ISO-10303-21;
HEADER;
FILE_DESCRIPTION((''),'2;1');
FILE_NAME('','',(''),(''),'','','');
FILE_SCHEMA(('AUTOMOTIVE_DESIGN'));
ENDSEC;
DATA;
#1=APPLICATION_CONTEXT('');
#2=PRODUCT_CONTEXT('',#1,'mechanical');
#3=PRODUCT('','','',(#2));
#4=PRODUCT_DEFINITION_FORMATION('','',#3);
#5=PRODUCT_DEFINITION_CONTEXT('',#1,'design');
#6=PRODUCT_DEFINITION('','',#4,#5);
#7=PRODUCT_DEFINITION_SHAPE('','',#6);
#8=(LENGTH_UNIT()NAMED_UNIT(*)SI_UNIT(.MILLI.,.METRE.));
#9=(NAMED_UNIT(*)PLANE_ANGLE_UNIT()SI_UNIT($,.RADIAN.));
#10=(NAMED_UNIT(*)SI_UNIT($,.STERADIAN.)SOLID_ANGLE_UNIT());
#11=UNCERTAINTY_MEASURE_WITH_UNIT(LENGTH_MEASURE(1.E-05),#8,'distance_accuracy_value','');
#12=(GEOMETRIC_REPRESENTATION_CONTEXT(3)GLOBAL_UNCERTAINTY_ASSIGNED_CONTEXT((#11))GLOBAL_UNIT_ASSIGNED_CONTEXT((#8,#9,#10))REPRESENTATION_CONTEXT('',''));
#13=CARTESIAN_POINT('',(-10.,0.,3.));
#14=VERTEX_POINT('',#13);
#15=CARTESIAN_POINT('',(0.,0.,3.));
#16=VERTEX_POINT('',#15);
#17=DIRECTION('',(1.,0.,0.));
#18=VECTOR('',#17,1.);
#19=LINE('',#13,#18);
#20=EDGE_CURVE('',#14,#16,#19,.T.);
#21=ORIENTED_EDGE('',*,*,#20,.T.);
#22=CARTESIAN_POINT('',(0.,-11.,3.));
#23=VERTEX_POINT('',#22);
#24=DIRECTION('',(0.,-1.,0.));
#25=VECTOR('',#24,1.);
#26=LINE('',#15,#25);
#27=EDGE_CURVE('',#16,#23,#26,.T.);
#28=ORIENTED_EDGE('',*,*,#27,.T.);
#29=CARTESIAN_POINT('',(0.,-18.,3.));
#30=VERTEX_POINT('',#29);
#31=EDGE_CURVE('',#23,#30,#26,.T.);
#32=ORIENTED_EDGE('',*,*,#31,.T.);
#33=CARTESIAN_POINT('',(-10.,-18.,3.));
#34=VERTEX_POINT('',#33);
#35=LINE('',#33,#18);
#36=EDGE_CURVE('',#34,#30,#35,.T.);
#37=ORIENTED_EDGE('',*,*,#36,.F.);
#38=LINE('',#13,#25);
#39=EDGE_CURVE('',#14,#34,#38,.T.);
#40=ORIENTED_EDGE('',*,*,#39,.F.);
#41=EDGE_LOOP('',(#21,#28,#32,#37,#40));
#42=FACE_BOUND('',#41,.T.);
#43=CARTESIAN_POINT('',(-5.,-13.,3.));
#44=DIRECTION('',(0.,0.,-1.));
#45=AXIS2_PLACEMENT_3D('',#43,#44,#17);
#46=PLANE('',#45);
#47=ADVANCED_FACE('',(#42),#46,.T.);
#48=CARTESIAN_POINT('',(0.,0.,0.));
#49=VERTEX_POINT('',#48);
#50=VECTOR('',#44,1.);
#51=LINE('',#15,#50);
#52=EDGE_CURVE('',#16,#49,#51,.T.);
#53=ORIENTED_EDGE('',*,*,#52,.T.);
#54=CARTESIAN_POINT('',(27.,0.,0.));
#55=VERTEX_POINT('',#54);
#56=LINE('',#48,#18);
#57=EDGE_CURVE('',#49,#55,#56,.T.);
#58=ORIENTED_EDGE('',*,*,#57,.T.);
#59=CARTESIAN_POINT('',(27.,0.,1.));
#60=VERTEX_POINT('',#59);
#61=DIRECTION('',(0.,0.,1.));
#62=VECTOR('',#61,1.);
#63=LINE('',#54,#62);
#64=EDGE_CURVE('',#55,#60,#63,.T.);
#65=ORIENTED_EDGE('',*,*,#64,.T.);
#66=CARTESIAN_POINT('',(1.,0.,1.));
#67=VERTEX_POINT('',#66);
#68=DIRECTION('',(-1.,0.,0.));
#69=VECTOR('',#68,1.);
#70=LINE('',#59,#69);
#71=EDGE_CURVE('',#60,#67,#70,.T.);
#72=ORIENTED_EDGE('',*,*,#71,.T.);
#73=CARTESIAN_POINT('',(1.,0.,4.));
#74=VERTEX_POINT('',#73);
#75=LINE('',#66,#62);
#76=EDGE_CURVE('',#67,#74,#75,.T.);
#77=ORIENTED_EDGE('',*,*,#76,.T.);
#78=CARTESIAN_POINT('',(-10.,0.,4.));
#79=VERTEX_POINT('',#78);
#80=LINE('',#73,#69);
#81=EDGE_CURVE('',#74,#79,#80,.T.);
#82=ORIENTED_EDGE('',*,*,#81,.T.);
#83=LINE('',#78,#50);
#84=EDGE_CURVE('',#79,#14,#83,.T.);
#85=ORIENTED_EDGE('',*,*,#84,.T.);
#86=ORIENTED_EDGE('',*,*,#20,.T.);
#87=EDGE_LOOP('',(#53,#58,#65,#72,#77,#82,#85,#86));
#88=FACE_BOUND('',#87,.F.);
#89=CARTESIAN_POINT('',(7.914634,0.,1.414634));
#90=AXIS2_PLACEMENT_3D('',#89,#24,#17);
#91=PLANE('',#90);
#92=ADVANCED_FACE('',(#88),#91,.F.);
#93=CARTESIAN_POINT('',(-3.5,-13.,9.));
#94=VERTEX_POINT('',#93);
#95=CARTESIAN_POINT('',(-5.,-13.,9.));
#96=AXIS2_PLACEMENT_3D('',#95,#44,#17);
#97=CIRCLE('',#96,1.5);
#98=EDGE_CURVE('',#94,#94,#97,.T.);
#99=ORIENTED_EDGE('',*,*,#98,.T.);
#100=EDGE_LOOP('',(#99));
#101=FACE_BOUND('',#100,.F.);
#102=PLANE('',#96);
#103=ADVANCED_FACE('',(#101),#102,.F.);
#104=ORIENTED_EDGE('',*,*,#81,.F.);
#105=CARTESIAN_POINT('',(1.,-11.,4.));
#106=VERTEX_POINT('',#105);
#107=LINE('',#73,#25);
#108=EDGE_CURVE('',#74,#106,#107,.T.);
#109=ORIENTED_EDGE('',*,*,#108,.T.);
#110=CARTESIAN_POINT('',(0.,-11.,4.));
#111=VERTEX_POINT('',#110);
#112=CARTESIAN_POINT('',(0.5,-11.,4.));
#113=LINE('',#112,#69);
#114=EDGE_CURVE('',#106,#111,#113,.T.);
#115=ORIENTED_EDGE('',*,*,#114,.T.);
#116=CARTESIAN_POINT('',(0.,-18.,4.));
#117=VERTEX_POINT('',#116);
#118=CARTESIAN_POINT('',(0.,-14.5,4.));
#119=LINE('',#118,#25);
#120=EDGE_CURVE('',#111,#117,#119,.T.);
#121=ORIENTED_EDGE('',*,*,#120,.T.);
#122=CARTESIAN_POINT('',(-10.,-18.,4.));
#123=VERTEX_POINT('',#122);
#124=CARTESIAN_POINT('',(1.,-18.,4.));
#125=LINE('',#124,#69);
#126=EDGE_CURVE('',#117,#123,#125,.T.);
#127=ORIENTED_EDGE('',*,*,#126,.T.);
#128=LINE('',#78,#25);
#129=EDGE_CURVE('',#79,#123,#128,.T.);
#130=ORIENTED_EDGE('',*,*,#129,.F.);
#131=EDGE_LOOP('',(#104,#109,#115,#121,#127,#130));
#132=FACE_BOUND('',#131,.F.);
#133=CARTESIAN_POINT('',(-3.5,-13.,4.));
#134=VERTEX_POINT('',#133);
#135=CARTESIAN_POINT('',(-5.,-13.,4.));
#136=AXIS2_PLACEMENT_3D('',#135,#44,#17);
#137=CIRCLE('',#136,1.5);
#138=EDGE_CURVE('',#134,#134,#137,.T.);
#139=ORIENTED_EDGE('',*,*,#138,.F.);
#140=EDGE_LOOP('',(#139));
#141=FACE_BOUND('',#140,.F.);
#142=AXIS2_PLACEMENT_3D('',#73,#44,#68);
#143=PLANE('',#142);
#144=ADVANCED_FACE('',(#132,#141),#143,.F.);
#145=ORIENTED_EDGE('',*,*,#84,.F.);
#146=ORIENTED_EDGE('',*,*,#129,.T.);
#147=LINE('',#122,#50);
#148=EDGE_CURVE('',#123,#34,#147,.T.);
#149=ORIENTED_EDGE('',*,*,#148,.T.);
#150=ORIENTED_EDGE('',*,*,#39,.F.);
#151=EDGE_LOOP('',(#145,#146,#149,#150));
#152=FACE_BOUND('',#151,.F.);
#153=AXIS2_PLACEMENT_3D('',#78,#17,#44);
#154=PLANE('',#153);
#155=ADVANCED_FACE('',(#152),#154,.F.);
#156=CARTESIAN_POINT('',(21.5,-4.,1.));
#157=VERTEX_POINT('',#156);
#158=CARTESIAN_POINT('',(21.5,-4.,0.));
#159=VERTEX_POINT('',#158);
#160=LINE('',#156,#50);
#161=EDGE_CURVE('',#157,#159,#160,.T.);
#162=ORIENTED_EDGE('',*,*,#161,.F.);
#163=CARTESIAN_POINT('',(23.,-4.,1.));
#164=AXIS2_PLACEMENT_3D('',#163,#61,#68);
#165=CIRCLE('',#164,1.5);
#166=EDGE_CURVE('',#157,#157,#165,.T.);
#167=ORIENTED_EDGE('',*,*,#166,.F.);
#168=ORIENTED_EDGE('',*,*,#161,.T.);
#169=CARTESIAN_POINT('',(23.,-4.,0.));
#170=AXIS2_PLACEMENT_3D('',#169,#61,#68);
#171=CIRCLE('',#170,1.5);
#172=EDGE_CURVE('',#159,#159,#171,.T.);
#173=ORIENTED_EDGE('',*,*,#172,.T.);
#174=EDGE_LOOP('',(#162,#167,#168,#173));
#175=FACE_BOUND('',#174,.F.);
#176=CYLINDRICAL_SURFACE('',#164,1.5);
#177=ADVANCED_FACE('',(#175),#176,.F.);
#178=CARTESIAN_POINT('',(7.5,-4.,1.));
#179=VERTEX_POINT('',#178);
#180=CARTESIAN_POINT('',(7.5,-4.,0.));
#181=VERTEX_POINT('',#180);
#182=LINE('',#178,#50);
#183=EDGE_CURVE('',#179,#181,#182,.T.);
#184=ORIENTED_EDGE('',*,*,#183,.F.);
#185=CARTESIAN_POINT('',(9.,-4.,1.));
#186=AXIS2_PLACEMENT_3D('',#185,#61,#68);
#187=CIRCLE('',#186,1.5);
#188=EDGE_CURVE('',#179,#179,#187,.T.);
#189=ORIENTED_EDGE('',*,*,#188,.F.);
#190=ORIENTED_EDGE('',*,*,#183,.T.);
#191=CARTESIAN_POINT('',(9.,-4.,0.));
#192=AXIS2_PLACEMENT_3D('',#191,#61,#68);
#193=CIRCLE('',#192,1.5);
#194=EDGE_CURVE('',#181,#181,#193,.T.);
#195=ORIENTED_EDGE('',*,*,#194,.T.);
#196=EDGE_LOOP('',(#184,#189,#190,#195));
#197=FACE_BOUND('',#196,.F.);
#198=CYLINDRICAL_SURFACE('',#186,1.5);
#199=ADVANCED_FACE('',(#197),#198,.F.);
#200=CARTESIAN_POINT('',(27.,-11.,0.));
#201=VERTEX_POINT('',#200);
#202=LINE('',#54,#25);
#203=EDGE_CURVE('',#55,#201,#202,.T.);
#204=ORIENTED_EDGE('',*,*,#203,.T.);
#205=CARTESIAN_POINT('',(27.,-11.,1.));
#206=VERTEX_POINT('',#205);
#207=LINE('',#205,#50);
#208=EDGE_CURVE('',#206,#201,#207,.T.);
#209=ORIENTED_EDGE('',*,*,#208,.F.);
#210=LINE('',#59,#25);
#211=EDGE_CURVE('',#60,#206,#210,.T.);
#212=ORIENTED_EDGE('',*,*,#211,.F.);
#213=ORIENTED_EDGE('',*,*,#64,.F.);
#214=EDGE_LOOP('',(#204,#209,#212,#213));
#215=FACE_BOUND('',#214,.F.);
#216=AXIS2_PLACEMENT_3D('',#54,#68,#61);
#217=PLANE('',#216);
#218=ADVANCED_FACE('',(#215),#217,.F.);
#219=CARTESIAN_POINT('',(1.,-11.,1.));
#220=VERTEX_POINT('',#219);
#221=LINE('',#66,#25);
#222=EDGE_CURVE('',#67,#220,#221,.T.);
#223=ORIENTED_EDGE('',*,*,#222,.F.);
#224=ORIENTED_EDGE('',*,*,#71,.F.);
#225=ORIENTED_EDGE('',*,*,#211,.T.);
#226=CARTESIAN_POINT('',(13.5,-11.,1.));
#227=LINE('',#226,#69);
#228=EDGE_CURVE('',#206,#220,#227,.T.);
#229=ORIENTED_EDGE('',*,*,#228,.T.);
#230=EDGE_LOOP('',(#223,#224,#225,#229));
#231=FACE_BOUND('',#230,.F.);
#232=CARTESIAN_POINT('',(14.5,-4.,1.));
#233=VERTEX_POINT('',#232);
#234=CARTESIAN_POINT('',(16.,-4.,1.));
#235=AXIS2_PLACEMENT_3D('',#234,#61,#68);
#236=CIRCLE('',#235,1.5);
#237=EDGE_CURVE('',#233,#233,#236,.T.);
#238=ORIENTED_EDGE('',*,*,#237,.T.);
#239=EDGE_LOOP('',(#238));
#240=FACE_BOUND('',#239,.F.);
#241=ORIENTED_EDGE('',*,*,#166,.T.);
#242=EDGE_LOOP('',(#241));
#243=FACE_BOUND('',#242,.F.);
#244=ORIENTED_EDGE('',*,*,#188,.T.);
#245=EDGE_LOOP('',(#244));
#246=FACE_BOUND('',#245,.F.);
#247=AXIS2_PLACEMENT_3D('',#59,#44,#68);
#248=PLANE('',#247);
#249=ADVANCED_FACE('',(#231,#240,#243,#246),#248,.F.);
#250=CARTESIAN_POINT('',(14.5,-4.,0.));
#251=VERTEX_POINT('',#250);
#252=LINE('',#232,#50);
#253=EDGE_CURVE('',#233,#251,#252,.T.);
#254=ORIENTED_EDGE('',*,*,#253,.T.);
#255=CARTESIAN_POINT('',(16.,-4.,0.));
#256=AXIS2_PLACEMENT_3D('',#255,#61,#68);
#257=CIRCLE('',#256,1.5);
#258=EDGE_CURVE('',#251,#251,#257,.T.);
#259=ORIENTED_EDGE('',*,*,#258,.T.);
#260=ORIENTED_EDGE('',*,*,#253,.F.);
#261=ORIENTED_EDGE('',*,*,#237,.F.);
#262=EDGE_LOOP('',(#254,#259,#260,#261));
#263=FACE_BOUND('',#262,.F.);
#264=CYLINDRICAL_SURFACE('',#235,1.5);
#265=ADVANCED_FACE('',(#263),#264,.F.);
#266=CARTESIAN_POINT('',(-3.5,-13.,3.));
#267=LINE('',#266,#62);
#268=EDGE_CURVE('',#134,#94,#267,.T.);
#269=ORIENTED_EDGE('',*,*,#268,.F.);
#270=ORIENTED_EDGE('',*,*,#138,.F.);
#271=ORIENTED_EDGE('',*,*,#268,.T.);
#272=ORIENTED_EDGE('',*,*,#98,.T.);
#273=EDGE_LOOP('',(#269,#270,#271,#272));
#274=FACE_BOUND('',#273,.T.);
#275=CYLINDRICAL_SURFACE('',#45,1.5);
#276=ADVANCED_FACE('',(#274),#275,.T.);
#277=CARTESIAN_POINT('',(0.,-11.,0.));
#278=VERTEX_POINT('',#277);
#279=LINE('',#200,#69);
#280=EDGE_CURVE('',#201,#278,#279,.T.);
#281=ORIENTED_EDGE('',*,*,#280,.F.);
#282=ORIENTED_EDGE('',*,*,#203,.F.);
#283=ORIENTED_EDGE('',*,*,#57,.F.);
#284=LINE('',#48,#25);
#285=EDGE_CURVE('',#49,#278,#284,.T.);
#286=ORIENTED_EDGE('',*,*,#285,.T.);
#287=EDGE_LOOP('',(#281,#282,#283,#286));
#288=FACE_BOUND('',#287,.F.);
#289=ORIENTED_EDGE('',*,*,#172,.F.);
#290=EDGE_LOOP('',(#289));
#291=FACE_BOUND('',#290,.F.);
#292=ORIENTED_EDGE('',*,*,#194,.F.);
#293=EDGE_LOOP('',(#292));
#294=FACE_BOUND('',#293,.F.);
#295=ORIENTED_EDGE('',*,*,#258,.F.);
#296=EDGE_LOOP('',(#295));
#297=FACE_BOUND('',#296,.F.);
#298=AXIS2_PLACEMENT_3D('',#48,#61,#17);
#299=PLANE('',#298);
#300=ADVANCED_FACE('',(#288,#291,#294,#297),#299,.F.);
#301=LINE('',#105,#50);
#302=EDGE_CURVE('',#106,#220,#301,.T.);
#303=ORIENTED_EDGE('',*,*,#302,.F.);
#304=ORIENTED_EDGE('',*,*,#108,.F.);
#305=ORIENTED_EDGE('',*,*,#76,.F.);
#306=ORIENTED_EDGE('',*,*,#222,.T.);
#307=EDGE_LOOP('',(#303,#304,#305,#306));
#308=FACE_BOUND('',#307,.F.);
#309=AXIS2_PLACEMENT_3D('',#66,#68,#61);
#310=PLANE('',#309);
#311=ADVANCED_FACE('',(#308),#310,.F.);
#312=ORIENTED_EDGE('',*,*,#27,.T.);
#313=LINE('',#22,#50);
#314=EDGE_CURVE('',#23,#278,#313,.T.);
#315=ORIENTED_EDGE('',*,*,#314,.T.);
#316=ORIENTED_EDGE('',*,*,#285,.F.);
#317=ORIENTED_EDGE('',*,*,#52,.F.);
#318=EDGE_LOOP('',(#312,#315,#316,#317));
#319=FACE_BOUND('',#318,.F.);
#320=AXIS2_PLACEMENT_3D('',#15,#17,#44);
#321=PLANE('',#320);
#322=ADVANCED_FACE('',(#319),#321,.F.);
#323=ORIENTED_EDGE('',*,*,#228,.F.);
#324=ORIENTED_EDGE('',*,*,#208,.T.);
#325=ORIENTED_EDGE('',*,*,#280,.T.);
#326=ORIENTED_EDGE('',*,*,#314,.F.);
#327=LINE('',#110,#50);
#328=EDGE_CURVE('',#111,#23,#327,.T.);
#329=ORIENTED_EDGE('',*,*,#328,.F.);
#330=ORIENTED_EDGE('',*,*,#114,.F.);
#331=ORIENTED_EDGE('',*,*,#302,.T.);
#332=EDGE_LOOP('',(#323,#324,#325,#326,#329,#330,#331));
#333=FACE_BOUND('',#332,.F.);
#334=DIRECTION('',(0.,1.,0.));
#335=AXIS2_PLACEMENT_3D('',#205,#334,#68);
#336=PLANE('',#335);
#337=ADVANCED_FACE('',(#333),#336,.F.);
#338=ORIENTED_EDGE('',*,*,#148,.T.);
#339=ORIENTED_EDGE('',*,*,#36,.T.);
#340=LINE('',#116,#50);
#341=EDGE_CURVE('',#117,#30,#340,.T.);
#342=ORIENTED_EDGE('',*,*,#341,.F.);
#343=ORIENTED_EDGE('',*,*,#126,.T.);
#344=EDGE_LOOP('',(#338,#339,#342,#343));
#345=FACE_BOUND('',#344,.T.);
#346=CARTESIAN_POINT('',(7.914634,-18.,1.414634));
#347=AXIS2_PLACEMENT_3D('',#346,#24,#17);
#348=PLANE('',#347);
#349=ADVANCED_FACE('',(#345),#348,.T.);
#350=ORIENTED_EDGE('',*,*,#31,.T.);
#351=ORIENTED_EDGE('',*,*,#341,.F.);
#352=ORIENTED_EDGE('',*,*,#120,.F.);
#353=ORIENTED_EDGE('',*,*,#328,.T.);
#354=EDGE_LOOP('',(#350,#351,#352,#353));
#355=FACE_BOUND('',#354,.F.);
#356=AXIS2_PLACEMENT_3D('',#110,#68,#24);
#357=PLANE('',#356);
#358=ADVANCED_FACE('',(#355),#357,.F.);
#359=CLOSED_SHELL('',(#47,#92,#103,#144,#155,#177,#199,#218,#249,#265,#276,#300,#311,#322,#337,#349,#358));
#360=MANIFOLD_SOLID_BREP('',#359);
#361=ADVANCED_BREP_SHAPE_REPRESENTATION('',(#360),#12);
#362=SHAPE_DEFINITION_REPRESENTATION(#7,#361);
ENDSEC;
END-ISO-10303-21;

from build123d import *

# Parameters (mm, degrees)
PAD_DEPTH       = 18
SKETCH001_W     = 27
SKETCH001_H     = 7
POCKET_DEPTH    = 10
SKETCH002_W     = 1
SKETCH002_H     = 7
POCKET001_DEPTH = 4.001
SKETCH003_R     = 1.5
POCKET002_DEPTH = 1.001
SKETCH004_R     = 1.5
PAD001_DEPTH    = 6


with BuildPart() as part:
    # Sketch → Pad (new body)
    with BuildSketch(Plane.XZ):
        Polygon((0, 0), (27, 0), (27, 1), (1, 1), (1, 4), (-10, 4), (-10, 3), (0, 3), align=None)
    extrude(amount=PAD_DEPTH)

    # Sketch001 (on Face3 of Pad) → Pocket (cut)
    with BuildSketch(Plane(origin=(0, 0, 1), x_dir=(-1, 0, 0), z_dir=(0, 0, 1))):
        with Locations((-13.5, 14.5)):
            Rectangle(SKETCH001_W, SKETCH001_H)
    extrude(amount=-POCKET_DEPTH, mode=Mode.SUBTRACT)

    # Sketch002 (on Face8 of Pocket) → Pocket001 (cut, through all)
    with BuildSketch(Plane(origin=(0, 0, 4), x_dir=(-1, 0, 0), z_dir=(0, 0, 1))):
        with Locations((-0.5, 14.5)):
            Rectangle(SKETCH002_W, SKETCH002_H)
    extrude(amount=-POCKET001_DEPTH, mode=Mode.SUBTRACT)

    # Sketch003 (on Face7 of Pocket001) → Pocket002 (cut, through all)
    with BuildSketch(Plane(origin=(0, 0, 1), x_dir=(-1, 0, 0), z_dir=(0, 0, 1))):
        with Locations((-23, 4)):
            Circle(SKETCH003_R)
        with Locations((-16, 4)):
            Circle(SKETCH003_R)
        with Locations((-9, 4)):
            Circle(SKETCH003_R)
    extrude(amount=-POCKET002_DEPTH, mode=Mode.SUBTRACT)

    # Sketch004 (on Face14 of Pocket002) → Pad001 (join)
    with BuildSketch(Plane(origin=(0, 0, 3), x_dir=(1, 0, 0), z_dir=(0, 0, -1))):
        with Locations((-5, 13)):
            Circle(SKETCH004_R)
    extrude(amount=-PAD001_DEPTH)


solid = part.part
